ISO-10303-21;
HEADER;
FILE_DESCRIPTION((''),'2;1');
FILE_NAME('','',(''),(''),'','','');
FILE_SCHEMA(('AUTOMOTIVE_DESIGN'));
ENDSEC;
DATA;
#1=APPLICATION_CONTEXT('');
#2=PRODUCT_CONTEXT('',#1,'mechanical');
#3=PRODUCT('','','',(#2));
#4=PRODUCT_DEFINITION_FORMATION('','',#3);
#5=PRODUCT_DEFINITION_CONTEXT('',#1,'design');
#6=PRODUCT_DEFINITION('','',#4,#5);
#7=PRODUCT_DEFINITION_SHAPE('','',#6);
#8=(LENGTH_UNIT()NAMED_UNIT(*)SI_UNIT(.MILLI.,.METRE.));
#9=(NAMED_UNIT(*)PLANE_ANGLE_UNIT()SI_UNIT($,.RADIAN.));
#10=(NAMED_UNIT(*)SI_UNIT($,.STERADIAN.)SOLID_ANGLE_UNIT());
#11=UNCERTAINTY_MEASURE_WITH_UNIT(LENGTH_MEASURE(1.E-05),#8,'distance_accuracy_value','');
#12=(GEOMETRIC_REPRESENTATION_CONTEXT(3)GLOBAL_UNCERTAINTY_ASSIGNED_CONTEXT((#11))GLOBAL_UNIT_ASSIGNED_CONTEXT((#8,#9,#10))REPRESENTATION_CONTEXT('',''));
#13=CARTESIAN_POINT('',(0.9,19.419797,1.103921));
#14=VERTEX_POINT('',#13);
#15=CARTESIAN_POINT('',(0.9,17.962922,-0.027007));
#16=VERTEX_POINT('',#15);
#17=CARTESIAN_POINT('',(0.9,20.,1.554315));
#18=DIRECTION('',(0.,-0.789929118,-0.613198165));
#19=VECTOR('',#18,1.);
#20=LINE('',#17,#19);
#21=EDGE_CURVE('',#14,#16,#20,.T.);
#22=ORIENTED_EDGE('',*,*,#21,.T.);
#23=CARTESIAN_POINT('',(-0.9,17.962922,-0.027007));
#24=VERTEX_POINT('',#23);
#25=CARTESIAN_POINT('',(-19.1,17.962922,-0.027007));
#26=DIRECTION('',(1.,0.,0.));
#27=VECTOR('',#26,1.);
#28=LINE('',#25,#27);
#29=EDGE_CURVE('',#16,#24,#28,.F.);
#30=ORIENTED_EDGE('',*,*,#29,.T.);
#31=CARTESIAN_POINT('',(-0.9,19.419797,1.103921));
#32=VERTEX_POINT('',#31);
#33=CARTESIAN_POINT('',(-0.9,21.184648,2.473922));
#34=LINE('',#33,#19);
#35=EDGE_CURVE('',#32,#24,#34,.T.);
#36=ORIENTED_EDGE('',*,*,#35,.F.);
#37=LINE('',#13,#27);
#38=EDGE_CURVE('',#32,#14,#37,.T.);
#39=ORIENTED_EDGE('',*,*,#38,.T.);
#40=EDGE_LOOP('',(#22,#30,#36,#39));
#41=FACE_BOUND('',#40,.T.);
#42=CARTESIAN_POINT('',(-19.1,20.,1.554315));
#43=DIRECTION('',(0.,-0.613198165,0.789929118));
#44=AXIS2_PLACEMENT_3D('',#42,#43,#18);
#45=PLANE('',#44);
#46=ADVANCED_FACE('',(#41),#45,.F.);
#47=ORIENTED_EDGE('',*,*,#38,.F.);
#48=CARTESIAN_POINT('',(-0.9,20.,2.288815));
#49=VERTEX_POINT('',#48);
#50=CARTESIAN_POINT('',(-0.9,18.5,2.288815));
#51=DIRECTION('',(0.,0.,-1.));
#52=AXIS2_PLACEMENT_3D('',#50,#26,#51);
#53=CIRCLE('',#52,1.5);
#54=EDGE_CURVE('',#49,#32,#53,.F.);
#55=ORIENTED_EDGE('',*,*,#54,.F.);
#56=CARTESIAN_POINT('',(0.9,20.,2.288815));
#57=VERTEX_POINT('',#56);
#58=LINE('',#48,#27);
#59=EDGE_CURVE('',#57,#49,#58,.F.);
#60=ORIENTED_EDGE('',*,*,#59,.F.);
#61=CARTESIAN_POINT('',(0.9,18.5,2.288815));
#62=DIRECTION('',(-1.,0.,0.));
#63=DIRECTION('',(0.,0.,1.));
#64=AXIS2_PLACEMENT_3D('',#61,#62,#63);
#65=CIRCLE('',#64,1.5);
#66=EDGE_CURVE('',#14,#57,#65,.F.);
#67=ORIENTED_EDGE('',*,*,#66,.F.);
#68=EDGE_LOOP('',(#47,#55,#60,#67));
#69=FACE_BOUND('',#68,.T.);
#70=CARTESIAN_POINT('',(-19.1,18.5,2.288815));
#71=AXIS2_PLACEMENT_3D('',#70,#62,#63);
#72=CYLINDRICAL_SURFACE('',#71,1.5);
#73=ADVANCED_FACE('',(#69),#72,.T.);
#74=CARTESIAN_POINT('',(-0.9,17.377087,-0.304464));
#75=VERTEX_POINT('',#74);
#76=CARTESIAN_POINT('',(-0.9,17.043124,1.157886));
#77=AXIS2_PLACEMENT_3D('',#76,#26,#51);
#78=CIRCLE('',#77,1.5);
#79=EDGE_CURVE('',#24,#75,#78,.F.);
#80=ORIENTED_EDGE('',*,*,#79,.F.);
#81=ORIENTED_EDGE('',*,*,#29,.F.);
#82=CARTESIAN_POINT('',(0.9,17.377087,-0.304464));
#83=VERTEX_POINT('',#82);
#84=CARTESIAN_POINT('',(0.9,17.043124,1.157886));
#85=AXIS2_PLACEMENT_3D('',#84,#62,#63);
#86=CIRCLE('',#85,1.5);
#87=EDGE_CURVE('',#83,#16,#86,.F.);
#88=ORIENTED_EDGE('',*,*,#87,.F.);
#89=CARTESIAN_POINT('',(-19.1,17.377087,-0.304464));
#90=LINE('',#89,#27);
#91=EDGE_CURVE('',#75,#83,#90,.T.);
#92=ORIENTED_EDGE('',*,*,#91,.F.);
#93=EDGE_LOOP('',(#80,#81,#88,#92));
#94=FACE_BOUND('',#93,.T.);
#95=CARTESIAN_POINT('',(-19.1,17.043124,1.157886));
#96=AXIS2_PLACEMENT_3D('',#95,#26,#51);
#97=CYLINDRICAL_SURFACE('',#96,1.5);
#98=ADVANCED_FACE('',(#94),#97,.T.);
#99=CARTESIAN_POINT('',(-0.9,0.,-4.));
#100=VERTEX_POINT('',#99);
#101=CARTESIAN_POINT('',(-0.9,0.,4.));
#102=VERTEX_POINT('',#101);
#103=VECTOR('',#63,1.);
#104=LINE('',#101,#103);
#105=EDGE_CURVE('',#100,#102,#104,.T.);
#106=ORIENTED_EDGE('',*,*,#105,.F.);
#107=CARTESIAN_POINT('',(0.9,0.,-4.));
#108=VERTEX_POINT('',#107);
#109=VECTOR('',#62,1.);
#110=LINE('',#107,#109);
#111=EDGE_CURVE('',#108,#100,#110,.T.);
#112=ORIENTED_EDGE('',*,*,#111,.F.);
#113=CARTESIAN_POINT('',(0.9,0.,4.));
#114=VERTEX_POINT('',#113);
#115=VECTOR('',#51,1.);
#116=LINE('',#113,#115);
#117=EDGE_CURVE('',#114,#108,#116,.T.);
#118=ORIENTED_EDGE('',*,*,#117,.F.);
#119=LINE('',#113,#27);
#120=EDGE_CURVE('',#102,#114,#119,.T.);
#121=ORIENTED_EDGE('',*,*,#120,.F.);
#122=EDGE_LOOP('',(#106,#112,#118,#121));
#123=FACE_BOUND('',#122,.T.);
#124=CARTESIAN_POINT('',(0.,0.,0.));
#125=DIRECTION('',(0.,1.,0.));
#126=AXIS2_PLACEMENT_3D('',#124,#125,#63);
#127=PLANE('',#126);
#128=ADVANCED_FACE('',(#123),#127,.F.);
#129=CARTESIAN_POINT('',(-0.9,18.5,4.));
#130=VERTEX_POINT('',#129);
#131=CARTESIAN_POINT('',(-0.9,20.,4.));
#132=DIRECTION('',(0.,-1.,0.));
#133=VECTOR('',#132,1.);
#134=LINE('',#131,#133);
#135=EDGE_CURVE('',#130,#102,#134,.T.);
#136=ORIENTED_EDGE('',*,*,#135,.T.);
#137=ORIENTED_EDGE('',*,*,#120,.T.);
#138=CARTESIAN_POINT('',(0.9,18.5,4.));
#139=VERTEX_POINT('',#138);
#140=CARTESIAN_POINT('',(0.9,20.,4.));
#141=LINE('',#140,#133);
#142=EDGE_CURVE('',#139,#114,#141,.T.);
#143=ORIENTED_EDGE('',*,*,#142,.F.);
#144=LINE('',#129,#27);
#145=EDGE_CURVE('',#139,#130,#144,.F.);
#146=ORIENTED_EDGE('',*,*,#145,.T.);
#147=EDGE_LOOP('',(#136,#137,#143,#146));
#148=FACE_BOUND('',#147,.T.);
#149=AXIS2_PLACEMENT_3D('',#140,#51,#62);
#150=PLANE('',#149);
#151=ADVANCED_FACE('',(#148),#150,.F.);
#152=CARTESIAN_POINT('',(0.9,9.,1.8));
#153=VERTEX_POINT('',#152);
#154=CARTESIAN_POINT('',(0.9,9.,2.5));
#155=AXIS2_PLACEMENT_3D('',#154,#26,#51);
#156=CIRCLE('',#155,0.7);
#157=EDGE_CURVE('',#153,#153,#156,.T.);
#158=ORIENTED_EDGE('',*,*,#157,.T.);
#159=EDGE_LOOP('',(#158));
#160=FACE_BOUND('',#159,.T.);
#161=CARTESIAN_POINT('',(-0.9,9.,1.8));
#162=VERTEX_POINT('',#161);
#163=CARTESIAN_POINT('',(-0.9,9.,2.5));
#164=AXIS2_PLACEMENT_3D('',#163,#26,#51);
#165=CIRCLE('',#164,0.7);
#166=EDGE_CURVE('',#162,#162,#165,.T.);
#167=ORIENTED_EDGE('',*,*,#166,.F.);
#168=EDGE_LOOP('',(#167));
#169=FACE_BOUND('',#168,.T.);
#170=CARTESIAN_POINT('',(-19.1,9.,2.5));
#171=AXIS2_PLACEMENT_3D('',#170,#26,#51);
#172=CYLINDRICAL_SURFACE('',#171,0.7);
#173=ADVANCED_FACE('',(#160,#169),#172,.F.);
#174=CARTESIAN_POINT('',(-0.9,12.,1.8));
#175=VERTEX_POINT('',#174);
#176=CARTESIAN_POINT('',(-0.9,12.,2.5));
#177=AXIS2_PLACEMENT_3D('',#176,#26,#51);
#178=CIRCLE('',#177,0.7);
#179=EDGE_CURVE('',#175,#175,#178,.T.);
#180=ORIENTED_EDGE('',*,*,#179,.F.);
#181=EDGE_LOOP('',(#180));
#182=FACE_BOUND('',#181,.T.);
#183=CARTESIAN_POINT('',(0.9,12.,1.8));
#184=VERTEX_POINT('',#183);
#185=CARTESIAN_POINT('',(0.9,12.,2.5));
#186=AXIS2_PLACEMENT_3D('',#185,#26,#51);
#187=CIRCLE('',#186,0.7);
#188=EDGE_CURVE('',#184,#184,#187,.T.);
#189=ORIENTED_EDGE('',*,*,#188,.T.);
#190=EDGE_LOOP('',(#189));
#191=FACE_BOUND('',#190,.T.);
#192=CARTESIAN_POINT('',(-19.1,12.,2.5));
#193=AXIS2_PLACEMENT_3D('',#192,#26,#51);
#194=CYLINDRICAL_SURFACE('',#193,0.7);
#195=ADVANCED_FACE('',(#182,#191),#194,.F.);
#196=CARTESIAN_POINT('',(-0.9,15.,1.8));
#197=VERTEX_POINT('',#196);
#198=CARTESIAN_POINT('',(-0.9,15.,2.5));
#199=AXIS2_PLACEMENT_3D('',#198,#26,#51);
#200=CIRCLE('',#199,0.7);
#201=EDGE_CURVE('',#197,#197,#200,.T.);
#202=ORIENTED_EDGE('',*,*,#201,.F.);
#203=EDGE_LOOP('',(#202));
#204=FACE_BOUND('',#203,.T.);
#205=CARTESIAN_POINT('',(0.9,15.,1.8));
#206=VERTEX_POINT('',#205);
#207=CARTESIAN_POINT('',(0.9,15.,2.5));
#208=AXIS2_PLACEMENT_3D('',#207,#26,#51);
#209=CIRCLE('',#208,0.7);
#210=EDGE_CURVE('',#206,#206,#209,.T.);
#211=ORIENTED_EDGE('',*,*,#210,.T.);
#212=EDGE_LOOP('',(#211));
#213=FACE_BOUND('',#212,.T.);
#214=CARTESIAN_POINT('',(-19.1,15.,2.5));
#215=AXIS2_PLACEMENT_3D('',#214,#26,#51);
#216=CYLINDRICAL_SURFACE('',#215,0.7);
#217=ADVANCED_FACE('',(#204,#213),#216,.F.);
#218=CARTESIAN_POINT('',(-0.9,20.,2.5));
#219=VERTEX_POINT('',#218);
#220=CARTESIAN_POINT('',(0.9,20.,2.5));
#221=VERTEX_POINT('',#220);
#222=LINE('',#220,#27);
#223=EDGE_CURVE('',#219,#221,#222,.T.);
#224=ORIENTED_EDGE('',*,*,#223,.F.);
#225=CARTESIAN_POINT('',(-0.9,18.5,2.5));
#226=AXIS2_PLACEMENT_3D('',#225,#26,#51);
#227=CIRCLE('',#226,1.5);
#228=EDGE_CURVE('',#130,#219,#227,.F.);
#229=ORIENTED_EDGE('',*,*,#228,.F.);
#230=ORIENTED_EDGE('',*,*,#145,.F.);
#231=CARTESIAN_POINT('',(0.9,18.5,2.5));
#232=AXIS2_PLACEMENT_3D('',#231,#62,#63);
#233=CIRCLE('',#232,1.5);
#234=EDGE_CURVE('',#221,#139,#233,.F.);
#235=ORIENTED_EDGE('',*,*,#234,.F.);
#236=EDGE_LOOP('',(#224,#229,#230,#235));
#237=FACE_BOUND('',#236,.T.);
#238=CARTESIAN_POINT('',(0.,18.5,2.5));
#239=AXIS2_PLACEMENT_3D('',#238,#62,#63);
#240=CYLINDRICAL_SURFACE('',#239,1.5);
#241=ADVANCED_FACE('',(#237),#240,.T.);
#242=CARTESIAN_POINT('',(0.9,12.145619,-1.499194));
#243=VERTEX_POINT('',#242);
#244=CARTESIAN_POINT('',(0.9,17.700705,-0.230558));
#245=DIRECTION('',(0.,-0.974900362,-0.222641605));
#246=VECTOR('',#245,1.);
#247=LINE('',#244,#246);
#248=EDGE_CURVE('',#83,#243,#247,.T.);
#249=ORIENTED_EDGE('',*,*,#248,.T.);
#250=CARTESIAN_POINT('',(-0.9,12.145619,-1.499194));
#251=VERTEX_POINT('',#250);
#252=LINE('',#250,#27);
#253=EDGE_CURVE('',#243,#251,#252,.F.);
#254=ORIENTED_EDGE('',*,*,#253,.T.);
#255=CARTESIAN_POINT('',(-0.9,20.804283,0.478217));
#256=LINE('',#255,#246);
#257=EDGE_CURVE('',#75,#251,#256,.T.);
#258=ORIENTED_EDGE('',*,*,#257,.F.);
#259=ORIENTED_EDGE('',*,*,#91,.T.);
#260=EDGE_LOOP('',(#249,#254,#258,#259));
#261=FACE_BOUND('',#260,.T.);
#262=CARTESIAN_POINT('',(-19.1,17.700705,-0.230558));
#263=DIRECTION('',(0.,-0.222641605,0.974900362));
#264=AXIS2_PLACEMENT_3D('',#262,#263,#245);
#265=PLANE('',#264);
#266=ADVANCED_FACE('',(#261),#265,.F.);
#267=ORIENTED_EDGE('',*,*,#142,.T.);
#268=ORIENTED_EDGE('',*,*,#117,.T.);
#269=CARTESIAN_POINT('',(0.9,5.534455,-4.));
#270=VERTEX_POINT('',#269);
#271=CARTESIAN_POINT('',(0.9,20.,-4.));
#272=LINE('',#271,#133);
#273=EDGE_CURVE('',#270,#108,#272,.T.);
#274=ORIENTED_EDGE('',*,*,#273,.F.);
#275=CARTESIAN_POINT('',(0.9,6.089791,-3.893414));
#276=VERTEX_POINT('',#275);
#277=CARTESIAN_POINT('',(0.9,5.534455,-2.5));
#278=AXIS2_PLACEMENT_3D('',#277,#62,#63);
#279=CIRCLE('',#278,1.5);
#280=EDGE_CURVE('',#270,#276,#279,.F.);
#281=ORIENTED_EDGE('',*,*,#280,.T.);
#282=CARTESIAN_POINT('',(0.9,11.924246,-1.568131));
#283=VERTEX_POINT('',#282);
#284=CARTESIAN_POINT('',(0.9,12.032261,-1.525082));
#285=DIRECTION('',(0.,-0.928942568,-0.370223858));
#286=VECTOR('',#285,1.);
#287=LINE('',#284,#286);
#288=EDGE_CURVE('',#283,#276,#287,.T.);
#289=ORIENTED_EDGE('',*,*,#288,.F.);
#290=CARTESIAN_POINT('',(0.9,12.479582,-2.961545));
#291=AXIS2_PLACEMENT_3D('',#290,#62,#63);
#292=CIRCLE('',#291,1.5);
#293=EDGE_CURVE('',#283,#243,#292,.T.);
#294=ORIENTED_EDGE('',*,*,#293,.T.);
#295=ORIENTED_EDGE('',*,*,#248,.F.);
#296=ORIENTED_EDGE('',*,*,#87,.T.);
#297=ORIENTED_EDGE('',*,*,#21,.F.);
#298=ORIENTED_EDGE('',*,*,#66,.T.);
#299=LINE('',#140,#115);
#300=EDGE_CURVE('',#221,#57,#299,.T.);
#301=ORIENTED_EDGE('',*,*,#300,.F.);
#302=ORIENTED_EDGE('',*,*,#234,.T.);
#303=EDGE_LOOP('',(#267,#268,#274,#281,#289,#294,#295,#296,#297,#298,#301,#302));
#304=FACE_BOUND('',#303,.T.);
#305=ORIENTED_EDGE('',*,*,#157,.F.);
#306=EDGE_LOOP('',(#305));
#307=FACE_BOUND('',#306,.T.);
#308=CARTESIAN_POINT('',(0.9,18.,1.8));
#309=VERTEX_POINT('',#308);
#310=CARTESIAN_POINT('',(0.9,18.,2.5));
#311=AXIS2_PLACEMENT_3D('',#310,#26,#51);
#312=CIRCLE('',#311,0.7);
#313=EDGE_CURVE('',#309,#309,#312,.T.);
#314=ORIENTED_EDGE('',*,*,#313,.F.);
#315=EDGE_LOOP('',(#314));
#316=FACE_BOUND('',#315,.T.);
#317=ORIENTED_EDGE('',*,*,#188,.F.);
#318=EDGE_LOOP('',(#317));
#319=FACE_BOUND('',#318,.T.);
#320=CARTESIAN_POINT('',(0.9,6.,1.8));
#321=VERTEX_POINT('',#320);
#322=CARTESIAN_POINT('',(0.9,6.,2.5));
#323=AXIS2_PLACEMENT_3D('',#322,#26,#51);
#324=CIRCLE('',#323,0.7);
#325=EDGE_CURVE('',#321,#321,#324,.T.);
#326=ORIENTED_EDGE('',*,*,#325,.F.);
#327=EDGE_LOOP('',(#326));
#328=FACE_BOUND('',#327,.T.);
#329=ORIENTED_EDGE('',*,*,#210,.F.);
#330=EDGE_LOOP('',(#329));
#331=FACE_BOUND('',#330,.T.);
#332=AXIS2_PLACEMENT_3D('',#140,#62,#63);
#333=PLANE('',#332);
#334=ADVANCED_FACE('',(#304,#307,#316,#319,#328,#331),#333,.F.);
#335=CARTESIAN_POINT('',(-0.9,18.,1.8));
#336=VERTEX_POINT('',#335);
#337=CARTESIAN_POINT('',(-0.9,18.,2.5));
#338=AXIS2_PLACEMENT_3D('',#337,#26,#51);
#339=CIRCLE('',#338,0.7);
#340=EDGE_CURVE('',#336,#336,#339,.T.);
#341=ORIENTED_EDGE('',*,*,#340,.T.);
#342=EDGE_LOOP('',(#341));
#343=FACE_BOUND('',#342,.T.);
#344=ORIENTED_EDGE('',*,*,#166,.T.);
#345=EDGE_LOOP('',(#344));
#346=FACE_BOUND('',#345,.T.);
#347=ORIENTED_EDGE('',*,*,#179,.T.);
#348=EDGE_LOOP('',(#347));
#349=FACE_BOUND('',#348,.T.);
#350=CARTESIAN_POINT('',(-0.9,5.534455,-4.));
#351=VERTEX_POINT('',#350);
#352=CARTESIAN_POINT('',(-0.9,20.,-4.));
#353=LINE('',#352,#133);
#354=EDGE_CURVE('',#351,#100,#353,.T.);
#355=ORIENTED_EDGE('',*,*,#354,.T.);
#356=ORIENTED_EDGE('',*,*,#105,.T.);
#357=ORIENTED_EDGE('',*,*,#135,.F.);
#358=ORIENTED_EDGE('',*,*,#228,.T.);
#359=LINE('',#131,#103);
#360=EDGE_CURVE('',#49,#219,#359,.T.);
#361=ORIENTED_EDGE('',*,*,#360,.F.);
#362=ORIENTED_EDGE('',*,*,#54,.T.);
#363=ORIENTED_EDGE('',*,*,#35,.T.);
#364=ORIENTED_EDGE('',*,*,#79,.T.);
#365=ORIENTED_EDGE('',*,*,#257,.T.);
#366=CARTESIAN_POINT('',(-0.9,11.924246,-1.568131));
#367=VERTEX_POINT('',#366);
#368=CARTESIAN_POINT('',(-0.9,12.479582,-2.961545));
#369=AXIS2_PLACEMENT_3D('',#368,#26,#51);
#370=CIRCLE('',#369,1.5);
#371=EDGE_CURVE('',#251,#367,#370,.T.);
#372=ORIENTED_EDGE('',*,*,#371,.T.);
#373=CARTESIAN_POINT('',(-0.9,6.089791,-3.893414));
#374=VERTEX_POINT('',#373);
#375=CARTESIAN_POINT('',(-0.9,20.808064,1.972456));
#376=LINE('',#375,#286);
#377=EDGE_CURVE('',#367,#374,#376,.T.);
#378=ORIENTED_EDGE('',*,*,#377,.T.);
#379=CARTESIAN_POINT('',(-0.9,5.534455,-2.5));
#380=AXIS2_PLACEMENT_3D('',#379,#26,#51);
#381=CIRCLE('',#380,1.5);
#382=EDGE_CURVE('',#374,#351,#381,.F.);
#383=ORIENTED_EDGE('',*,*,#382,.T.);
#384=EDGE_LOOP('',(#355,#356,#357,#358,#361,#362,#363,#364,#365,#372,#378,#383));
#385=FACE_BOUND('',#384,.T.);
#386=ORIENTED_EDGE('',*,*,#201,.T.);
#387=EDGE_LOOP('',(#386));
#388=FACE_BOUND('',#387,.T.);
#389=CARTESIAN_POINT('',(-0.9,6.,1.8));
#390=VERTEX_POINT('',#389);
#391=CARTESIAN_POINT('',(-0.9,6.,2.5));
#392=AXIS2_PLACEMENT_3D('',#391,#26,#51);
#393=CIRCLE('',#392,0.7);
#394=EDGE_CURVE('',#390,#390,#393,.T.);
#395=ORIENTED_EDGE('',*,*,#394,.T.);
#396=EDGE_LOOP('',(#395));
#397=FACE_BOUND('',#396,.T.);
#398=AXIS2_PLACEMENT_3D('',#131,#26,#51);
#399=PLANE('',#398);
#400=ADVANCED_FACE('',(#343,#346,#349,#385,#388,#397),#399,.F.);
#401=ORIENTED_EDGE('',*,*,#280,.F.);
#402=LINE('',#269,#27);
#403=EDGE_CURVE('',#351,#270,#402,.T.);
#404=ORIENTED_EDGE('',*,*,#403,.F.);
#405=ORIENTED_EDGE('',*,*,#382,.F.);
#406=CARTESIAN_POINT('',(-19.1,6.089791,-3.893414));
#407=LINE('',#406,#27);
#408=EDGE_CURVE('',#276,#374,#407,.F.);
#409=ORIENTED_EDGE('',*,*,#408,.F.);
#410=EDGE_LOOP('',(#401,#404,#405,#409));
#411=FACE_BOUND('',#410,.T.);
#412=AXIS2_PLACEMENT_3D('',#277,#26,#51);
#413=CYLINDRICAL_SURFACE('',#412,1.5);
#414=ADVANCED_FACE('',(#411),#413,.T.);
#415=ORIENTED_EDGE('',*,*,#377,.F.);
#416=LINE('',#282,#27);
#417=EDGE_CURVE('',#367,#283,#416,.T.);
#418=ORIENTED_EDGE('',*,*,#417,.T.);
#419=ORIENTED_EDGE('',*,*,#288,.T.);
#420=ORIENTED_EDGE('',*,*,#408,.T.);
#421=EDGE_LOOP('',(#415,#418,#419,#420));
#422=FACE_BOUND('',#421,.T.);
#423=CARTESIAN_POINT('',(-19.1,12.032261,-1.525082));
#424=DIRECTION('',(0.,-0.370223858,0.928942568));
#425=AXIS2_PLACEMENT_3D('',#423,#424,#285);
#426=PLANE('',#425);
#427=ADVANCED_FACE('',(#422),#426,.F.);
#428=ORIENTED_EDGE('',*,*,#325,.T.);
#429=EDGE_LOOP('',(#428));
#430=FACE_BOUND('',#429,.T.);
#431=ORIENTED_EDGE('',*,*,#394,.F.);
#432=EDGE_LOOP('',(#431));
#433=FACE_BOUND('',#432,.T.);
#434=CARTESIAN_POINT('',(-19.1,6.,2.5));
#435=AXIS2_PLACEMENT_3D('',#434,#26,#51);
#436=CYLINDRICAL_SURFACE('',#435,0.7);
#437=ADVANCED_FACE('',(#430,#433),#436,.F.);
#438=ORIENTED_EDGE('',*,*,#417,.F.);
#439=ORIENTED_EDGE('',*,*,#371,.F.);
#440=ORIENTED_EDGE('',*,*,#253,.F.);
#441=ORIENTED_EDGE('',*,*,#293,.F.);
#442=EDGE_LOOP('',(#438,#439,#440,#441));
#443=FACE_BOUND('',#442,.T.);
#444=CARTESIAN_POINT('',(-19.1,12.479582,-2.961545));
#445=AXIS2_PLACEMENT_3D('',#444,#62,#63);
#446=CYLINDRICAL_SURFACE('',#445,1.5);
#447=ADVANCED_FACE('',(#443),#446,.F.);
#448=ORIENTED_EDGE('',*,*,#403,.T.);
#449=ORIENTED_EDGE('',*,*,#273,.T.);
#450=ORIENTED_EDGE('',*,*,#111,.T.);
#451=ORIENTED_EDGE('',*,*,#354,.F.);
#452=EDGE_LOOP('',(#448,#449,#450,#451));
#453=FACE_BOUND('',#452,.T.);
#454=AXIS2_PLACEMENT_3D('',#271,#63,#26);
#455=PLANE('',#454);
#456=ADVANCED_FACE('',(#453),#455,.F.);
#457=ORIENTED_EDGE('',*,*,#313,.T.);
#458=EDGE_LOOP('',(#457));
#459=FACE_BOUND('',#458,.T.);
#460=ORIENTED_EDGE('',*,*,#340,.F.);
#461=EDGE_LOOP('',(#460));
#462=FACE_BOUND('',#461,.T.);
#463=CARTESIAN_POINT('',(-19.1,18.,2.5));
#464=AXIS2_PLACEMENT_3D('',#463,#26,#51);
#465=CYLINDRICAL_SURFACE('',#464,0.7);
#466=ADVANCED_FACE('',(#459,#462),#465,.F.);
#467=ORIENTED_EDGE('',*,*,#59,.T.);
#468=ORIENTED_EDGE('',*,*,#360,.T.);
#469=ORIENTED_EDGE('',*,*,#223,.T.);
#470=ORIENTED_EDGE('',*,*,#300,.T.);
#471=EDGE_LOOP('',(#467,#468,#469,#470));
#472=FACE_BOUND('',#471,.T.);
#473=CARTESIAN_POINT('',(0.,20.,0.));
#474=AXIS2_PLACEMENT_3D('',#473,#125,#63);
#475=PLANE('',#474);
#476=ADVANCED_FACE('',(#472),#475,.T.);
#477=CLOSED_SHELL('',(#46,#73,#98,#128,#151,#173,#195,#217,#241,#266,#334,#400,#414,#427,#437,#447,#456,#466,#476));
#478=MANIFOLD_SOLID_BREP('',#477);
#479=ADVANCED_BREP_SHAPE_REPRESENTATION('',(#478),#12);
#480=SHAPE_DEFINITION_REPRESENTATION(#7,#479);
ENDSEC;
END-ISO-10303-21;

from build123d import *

# Parameters (mm, degrees)
SKETCH_1_W          = 1.8
SKETCH_1_H          = 8
EXTRUDE_1_DEPTH     = 20
SKETCH_3_R          = 0.7
CUT_EXTRUDE_1_DEPTH = 20
FILLET_1_R          = 1.5


with BuildPart() as part:
    # 草圖1 → 填料-伸長1 (new body)
    with BuildSketch(Plane(origin=(0, 0, 0), x_dir=(1, 0, 0), z_dir=(0, 1, 0))):
        Rectangle(SKETCH_1_W, SKETCH_1_H)
    extrude(amount=EXTRUDE_1_DEPTH)

    # 草圖3 → 除料-伸長1 (cut)
    with BuildSketch(Plane(origin=(0.9, 0, 0), x_dir=(0, 0, -1), z_dir=(1, 0, 0))):
        with Locations((-2.5, 18)):
            Circle(SKETCH_3_R)
        with Locations((-2.5, 15)):
            Circle(SKETCH_3_R)
        with Locations((-2.5, 12)):
            Circle(SKETCH_3_R)
        with Locations((-2.5, 9)):
            Circle(SKETCH_3_R)
        with Locations((-2.5, 6)):
            Circle(SKETCH_3_R)
        Polygon((-1.554314994, 20), (0.230558493, 17.700704895), (1.525082121, 12.032260524), (4, 5.822351238), (4, 20), align=None)
    extrude(amount=-CUT_EXTRUDE_1_DEPTH, mode=Mode.SUBTRACT)

    # 圓角1
    fillet_1_edges = [part.edges().sort_by_distance(p)[0] for p in [
        (0, 20, 1.554314994),
        (0, 12.032260524, -1.525082121),
        (0, 5.822351238, -4),
        (0, 17.700704895, -0.230558493),
        (0, 20, 4),
    ]]
    fillet(fillet_1_edges, radius=FILLET_1_R)


solid = part.part
